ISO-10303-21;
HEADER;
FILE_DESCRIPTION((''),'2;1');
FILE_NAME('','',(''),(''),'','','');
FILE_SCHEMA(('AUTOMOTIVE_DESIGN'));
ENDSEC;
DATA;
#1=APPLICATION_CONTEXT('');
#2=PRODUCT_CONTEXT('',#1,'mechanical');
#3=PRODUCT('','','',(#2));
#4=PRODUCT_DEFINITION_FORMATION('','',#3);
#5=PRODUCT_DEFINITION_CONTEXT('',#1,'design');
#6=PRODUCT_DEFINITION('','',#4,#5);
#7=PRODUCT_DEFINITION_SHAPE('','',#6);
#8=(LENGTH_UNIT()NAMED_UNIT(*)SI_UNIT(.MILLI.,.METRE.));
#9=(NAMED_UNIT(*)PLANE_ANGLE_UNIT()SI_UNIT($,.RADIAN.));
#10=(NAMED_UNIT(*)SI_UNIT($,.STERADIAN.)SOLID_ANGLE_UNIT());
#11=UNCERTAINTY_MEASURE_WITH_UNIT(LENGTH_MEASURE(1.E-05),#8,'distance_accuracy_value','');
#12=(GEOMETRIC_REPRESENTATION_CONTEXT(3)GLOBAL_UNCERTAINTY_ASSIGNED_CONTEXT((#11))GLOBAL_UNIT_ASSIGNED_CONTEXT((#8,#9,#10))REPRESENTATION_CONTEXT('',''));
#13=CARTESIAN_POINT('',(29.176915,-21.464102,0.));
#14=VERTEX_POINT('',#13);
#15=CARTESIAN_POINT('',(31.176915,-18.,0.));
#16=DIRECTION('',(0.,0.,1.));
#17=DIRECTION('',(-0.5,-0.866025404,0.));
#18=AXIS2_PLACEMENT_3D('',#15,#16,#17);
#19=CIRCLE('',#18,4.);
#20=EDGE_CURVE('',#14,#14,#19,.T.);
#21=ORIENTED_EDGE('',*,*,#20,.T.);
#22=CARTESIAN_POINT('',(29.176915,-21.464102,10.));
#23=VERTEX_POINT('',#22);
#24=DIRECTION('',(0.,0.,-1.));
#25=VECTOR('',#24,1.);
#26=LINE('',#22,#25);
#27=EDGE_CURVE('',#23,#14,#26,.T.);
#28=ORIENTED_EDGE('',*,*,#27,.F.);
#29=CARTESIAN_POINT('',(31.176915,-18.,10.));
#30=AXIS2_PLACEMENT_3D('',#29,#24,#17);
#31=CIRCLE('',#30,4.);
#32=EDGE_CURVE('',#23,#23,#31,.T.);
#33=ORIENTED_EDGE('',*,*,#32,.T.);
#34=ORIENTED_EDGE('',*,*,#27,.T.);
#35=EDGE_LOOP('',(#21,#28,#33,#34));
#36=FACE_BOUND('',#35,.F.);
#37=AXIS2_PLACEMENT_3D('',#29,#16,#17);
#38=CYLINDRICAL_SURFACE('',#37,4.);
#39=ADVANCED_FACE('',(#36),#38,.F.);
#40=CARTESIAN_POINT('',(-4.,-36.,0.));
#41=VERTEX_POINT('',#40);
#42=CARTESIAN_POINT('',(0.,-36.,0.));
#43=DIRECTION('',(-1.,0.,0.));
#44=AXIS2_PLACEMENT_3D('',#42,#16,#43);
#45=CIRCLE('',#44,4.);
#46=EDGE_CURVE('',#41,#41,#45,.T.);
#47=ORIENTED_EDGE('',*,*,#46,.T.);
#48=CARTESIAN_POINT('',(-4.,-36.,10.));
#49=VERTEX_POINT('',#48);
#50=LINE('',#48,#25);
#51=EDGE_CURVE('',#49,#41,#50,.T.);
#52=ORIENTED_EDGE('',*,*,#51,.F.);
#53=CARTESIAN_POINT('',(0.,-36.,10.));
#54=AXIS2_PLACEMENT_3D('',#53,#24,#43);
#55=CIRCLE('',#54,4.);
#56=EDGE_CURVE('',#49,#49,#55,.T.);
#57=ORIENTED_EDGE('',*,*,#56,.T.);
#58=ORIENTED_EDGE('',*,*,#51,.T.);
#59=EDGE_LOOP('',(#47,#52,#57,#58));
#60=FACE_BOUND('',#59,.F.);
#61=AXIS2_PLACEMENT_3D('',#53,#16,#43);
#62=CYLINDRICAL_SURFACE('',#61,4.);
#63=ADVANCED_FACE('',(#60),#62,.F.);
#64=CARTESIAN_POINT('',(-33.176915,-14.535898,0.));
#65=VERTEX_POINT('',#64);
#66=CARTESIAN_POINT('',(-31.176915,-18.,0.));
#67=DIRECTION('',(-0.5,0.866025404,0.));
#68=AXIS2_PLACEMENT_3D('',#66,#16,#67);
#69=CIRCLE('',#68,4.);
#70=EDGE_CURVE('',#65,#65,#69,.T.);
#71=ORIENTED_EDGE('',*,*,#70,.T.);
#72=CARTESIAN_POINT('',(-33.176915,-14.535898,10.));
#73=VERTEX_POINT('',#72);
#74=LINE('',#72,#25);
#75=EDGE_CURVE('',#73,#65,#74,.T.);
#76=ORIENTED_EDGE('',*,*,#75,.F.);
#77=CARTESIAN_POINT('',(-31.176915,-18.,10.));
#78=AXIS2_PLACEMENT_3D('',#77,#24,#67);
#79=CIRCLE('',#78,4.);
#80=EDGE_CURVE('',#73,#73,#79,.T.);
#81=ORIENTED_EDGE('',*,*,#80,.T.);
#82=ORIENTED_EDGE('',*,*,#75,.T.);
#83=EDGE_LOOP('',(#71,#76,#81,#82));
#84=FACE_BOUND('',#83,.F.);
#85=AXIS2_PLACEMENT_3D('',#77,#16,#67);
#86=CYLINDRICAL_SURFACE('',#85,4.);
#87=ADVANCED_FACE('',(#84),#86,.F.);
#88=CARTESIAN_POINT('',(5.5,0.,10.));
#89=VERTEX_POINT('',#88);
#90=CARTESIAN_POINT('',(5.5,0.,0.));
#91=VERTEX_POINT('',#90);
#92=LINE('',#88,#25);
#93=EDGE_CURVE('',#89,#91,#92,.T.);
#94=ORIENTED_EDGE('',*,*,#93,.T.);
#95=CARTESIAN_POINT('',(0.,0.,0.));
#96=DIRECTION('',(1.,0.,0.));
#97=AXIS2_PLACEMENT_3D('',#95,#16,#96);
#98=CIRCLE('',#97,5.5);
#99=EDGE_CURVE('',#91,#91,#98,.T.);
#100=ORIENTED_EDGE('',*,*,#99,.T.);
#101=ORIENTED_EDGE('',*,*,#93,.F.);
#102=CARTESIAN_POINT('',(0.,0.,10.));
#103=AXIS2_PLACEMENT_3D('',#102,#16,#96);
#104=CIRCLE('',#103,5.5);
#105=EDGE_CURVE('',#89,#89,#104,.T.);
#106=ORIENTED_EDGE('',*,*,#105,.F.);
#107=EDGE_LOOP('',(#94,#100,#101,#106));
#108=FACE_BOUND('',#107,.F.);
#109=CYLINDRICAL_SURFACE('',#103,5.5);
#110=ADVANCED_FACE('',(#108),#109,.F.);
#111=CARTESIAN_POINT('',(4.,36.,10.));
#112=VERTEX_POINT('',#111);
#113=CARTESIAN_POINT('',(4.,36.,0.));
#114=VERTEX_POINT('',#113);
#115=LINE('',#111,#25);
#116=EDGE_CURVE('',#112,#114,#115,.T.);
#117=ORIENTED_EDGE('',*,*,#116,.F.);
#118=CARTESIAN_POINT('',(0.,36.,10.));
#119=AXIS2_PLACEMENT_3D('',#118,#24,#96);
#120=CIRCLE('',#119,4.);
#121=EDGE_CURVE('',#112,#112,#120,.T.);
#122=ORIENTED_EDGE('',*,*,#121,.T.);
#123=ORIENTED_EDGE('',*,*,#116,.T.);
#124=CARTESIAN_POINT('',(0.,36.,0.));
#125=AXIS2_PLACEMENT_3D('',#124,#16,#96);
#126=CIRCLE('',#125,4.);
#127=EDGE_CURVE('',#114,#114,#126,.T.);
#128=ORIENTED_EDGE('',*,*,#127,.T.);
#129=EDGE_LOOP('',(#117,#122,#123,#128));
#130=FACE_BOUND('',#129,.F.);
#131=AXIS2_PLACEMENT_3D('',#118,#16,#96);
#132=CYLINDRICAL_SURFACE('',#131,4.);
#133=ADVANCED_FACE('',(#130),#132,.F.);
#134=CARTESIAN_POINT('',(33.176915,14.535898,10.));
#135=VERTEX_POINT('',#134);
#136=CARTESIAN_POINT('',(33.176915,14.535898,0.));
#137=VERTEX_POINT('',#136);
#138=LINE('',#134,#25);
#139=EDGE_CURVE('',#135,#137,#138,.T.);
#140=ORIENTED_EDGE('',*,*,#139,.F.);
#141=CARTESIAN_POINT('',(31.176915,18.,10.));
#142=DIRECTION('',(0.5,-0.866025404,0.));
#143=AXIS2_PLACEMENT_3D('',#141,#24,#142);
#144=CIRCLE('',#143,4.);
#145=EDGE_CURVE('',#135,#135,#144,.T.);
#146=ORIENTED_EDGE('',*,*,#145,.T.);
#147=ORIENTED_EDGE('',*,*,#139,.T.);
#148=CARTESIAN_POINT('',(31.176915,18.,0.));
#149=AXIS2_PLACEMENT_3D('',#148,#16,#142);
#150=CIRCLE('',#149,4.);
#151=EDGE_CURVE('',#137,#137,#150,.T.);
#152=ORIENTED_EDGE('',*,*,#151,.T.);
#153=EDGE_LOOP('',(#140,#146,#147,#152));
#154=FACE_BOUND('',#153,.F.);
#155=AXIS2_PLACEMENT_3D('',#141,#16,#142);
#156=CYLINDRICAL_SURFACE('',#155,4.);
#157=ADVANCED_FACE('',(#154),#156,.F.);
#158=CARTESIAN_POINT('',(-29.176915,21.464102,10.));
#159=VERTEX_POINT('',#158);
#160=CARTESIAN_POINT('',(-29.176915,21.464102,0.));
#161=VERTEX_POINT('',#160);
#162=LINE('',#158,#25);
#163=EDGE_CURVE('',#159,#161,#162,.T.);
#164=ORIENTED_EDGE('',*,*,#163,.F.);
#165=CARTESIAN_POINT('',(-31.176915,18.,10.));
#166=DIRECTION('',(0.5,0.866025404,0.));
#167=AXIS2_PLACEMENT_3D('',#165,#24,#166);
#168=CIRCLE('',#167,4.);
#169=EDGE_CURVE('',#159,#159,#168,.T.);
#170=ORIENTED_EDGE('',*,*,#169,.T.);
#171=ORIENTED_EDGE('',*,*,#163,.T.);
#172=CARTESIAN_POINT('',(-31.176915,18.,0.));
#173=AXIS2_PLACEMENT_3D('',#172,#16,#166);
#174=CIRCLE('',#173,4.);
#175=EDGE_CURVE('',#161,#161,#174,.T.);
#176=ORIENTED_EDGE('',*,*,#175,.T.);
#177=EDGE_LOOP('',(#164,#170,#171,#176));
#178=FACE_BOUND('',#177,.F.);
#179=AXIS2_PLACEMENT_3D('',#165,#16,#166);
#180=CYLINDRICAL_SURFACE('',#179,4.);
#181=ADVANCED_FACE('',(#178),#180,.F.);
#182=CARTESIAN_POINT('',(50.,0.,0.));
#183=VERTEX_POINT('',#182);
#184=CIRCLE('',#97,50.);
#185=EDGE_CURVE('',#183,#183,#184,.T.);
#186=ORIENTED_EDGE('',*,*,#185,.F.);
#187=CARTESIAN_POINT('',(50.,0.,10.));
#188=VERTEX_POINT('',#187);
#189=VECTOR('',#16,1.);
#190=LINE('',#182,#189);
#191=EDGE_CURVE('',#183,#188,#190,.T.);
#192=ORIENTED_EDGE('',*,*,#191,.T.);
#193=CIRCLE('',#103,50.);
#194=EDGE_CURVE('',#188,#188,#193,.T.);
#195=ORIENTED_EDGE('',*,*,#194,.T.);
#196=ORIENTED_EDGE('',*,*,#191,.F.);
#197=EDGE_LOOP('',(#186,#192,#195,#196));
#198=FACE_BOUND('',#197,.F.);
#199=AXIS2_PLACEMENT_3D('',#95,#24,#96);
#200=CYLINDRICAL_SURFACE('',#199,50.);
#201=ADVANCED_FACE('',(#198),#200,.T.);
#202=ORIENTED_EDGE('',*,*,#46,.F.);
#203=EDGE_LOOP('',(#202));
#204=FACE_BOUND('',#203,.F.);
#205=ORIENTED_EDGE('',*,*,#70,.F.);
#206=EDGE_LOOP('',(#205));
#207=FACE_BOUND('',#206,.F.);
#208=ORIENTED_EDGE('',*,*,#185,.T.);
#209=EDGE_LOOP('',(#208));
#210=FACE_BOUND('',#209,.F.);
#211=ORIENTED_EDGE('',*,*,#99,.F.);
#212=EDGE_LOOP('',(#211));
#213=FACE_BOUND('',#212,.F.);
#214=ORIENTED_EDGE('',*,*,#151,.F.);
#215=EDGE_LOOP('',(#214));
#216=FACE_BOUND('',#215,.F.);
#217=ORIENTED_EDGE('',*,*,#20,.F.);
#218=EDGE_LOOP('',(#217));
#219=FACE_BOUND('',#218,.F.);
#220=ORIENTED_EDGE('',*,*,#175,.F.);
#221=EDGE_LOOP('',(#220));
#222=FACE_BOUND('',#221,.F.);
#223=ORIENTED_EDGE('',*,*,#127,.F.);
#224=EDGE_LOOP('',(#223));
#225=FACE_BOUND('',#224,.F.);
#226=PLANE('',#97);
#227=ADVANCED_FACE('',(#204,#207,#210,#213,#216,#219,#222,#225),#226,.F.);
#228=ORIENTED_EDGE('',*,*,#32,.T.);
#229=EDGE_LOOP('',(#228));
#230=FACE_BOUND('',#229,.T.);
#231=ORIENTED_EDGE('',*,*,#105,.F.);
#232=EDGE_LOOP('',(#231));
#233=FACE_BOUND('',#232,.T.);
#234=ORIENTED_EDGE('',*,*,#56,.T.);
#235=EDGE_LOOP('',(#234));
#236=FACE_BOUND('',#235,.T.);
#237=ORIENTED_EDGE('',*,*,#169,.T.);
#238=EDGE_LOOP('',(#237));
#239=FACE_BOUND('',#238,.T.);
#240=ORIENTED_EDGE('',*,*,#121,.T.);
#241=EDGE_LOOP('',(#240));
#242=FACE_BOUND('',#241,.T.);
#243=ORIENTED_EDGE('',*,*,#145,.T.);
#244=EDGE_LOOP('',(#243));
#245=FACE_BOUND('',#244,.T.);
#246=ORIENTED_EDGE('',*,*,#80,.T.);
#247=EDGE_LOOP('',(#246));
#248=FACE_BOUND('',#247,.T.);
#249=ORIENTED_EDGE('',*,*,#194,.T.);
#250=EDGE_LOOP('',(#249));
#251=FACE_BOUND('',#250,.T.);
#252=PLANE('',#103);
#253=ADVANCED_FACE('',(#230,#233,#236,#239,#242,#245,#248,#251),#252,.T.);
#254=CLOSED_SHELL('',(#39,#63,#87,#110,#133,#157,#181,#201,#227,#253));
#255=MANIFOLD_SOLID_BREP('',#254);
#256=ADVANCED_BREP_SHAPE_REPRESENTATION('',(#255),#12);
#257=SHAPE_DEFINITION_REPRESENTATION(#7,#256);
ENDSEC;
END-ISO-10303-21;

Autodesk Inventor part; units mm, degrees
ref_plane "YZ Plane" through (0, 0, 0) normal (1, 0, 0) x (0, 1, 0)
ref_plane "XZ Plane" through (0, 0, 0) normal (0, 1, 0) x (-1, 0, 0)
ref_plane "XY Plane" through (0, 0, 0) normal (0, 0, 1) x (1, 0, 0)
sketch "Sketch1" plane through (0, 0, 0) normal (0, 0, 1) x (1, 0, 0)
  point P0 (0, 0)
sketch "Sketch2" plane through (0, 0, 0) normal (0, 0, 1) x (1, 0, 0)
  circle A0 centre (0, 0) radius 50
  dimension "d0" = 100
extrude "Extrusion1" add sketch "Sketch2" along normal blind 10
sketch "Sketch5" plane through (0, 0, 10) normal (0, 0, 1) x (1, 0, 0)
  circle A0 centre (0, 0) radius 12.5 projected
  line L0 (0, 0) -> (0, 36)
  circle A1 centre (0, 36) radius 4
  dimension "d16" = 36
  dimension "d17" = 8
extrude "Extrusion4" cut sketch "Sketch5" against normal blind 10 contours A1
sketch "Sketch7" plane through (0, 0, 10) normal (0, 0, 1) x (1, 0, 0)
  circle A0 centre (0, 0) radius 5.5
  dimension "d26" = 11
extrude "Extrusion6" cut sketch "Sketch7" against normal blind 10
pattern_circular "Circular Pattern2" count 6 over 360 about axis through (0, 0, 10) along (0, 0, -1) of "Extrusion4"
equation "\"BendRadius\" = Thickness"
equation "\"BendReliefWidth\" = Thickness"
equation "\"BendReliefDepth\" = 0.5 * Thickness"
equation "\"CornerReliefSize\" = 4 * Thickness"
equation "\"MinimumRemnant\" = 2 * Thickness"
equation "\"TransitionRadius\" = BendRadius"
equation "\"JacobiRadiusSize\" = BendRadius"
equation "\"GapSize\" = Thickness"
equation "\"Thickness\" = 3.048"
properties part number "capp"
